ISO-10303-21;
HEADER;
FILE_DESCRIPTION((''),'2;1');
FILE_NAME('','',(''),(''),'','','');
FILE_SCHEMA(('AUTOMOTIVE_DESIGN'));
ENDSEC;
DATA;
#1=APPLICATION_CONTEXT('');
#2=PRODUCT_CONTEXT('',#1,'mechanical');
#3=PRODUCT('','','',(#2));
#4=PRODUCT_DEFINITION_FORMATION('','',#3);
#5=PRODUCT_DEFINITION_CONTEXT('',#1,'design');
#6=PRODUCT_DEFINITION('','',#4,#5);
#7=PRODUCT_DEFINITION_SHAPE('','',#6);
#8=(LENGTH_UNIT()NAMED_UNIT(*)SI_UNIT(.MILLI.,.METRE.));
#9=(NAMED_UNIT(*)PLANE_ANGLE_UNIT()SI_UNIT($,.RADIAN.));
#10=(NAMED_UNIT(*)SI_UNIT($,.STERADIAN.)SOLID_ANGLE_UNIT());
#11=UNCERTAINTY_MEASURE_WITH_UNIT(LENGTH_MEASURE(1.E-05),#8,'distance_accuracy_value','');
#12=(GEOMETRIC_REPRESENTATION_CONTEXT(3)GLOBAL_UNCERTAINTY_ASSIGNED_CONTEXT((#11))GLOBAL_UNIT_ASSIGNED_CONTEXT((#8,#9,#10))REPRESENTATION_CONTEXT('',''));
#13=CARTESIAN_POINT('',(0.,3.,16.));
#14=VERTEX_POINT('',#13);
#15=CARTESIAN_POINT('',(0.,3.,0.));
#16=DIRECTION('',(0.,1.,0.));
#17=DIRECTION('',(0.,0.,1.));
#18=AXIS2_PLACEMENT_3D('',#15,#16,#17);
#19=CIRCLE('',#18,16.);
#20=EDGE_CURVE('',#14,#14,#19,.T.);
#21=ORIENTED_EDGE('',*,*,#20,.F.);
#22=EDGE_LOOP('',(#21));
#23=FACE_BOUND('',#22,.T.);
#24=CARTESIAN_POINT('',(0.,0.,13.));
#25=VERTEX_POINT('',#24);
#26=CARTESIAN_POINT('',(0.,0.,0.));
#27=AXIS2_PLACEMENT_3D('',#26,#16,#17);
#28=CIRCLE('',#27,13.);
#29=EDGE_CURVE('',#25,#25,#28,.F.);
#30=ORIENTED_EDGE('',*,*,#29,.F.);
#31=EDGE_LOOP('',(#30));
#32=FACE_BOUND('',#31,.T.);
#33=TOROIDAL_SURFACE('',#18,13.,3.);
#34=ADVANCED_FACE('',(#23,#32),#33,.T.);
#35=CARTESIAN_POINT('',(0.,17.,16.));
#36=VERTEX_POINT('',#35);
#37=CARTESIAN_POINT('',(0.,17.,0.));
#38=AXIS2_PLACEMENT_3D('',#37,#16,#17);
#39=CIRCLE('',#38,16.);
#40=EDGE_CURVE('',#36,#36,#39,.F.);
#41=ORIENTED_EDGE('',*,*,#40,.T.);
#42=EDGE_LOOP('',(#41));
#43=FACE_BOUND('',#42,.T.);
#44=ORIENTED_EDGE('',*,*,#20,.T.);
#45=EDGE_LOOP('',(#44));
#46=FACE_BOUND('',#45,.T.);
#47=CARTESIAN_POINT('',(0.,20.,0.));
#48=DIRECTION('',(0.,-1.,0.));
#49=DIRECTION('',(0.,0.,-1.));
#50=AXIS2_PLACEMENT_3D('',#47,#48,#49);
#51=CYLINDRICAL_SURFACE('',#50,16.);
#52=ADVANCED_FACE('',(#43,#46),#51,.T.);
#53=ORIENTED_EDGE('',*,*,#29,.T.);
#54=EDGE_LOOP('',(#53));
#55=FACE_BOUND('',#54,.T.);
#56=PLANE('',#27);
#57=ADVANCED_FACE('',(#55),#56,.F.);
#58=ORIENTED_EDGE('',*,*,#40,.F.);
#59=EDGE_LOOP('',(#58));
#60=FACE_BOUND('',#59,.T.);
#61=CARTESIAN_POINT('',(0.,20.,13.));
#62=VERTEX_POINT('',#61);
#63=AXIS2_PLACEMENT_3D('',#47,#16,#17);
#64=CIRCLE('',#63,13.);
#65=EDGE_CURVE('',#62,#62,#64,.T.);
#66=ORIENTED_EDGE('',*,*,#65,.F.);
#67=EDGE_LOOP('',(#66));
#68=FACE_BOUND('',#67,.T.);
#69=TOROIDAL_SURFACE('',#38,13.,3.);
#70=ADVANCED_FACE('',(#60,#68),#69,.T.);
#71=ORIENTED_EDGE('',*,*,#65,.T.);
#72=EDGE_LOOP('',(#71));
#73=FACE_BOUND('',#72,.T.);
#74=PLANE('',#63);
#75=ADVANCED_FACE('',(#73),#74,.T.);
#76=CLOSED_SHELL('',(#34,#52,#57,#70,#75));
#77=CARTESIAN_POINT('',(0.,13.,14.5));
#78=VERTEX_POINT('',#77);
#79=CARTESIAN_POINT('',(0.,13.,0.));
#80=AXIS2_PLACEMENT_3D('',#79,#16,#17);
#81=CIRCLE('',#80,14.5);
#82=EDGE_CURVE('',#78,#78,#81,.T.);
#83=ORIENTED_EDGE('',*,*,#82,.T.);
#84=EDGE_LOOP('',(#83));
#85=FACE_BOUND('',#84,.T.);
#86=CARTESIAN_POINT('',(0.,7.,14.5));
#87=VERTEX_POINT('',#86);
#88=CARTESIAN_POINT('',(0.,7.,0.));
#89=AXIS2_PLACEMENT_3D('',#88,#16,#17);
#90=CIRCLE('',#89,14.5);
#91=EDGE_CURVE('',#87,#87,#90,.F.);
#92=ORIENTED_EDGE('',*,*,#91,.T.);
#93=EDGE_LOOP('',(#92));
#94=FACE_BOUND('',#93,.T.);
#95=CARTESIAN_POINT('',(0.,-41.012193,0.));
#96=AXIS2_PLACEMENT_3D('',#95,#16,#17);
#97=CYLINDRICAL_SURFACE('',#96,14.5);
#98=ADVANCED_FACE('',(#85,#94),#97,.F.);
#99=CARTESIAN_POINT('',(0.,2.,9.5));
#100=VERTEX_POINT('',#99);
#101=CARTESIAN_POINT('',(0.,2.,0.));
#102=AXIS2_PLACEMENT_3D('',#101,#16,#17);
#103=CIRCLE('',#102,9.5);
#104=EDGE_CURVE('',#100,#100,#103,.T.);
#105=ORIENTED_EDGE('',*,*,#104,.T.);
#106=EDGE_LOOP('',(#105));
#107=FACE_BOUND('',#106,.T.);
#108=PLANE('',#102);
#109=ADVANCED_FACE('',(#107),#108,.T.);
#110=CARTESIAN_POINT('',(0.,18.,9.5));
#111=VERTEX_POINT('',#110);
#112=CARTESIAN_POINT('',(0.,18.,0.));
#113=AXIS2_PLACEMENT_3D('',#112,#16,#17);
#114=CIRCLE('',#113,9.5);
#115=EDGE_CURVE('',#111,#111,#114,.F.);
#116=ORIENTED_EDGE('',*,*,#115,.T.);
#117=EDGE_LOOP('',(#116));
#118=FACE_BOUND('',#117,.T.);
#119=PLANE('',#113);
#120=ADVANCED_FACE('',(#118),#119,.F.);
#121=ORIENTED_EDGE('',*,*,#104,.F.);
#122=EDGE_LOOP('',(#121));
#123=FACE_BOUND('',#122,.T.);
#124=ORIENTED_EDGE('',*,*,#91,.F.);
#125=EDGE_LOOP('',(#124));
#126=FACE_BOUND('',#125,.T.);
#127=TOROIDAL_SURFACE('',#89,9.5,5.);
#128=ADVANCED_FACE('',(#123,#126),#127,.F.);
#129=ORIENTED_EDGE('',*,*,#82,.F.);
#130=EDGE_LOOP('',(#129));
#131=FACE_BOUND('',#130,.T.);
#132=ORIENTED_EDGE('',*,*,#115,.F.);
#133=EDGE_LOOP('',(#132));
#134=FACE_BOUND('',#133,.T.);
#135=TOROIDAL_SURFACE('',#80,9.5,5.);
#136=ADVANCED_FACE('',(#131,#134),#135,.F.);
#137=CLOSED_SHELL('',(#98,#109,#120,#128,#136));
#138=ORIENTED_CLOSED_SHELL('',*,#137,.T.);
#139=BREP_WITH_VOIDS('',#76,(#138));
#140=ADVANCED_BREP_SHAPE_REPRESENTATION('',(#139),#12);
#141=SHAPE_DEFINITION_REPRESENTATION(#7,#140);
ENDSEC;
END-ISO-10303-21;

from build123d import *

# Parameters (mm, degrees)
SKETCH1_R           = 16
BOSS_EXTRUDE1_DEPTH = 20
SKETCH2_R           = 14.5
CUT_EXTRUDE1_DEPTH  = 18
BOSS_EXTRUDE2_START = -2
SKETCH3_R           = 16
BOSS_EXTRUDE2_DEPTH = 2
FILLET1_R           = 5
FILLET2_R           = 3


with BuildPart() as part:
    # Sketch1 → Boss-Extrude1 (new body)
    with BuildSketch(Plane(origin=(0, 0, 0), x_dir=(1, 0, 0), z_dir=(0, 1, 0))):
        with Locations(Location((0, 0, 0), (0, 0, 270))):
            Circle(SKETCH1_R)
    extrude(amount=BOSS_EXTRUDE1_DEPTH)

    # Sketch2 → Cut-Extrude1 (cut)
    with BuildSketch(Plane(origin=(0, 20, 0), x_dir=(1, 0, 0), z_dir=(0, 1, 0))):
        with Locations(Location((0, 0, 0), (0, 0, 270))):
            Circle(SKETCH2_R)
    extrude(amount=-CUT_EXTRUDE1_DEPTH, mode=Mode.SUBTRACT)

    # Sketch3 → Boss-Extrude2 (add)
    with BuildSketch(Plane(origin=(0, 20, 0), x_dir=(1, 0, 0), z_dir=(0, 1, 0)).offset(BOSS_EXTRUDE2_START)):
        with Locations(Location((0, 0, 0), (0, 0, 270))):
            Circle(SKETCH3_R)
    extrude(amount=BOSS_EXTRUDE2_DEPTH)

    # Fillet1
    fillet1_edges = [part.edges().sort_by_distance(p)[0] for p in [
        (0, 18, -14.5),
        (0, 2, -14.5),
    ]]
    fillet(fillet1_edges, radius=FILLET1_R)

    # Fillet2
    fillet2_edges = [part.edges().sort_by_distance(p)[0] for p in [
        (0, 0, -16),
        (0, 20, -16),
    ]]
    fillet(fillet2_edges, radius=FILLET2_R)


solid = part.part
